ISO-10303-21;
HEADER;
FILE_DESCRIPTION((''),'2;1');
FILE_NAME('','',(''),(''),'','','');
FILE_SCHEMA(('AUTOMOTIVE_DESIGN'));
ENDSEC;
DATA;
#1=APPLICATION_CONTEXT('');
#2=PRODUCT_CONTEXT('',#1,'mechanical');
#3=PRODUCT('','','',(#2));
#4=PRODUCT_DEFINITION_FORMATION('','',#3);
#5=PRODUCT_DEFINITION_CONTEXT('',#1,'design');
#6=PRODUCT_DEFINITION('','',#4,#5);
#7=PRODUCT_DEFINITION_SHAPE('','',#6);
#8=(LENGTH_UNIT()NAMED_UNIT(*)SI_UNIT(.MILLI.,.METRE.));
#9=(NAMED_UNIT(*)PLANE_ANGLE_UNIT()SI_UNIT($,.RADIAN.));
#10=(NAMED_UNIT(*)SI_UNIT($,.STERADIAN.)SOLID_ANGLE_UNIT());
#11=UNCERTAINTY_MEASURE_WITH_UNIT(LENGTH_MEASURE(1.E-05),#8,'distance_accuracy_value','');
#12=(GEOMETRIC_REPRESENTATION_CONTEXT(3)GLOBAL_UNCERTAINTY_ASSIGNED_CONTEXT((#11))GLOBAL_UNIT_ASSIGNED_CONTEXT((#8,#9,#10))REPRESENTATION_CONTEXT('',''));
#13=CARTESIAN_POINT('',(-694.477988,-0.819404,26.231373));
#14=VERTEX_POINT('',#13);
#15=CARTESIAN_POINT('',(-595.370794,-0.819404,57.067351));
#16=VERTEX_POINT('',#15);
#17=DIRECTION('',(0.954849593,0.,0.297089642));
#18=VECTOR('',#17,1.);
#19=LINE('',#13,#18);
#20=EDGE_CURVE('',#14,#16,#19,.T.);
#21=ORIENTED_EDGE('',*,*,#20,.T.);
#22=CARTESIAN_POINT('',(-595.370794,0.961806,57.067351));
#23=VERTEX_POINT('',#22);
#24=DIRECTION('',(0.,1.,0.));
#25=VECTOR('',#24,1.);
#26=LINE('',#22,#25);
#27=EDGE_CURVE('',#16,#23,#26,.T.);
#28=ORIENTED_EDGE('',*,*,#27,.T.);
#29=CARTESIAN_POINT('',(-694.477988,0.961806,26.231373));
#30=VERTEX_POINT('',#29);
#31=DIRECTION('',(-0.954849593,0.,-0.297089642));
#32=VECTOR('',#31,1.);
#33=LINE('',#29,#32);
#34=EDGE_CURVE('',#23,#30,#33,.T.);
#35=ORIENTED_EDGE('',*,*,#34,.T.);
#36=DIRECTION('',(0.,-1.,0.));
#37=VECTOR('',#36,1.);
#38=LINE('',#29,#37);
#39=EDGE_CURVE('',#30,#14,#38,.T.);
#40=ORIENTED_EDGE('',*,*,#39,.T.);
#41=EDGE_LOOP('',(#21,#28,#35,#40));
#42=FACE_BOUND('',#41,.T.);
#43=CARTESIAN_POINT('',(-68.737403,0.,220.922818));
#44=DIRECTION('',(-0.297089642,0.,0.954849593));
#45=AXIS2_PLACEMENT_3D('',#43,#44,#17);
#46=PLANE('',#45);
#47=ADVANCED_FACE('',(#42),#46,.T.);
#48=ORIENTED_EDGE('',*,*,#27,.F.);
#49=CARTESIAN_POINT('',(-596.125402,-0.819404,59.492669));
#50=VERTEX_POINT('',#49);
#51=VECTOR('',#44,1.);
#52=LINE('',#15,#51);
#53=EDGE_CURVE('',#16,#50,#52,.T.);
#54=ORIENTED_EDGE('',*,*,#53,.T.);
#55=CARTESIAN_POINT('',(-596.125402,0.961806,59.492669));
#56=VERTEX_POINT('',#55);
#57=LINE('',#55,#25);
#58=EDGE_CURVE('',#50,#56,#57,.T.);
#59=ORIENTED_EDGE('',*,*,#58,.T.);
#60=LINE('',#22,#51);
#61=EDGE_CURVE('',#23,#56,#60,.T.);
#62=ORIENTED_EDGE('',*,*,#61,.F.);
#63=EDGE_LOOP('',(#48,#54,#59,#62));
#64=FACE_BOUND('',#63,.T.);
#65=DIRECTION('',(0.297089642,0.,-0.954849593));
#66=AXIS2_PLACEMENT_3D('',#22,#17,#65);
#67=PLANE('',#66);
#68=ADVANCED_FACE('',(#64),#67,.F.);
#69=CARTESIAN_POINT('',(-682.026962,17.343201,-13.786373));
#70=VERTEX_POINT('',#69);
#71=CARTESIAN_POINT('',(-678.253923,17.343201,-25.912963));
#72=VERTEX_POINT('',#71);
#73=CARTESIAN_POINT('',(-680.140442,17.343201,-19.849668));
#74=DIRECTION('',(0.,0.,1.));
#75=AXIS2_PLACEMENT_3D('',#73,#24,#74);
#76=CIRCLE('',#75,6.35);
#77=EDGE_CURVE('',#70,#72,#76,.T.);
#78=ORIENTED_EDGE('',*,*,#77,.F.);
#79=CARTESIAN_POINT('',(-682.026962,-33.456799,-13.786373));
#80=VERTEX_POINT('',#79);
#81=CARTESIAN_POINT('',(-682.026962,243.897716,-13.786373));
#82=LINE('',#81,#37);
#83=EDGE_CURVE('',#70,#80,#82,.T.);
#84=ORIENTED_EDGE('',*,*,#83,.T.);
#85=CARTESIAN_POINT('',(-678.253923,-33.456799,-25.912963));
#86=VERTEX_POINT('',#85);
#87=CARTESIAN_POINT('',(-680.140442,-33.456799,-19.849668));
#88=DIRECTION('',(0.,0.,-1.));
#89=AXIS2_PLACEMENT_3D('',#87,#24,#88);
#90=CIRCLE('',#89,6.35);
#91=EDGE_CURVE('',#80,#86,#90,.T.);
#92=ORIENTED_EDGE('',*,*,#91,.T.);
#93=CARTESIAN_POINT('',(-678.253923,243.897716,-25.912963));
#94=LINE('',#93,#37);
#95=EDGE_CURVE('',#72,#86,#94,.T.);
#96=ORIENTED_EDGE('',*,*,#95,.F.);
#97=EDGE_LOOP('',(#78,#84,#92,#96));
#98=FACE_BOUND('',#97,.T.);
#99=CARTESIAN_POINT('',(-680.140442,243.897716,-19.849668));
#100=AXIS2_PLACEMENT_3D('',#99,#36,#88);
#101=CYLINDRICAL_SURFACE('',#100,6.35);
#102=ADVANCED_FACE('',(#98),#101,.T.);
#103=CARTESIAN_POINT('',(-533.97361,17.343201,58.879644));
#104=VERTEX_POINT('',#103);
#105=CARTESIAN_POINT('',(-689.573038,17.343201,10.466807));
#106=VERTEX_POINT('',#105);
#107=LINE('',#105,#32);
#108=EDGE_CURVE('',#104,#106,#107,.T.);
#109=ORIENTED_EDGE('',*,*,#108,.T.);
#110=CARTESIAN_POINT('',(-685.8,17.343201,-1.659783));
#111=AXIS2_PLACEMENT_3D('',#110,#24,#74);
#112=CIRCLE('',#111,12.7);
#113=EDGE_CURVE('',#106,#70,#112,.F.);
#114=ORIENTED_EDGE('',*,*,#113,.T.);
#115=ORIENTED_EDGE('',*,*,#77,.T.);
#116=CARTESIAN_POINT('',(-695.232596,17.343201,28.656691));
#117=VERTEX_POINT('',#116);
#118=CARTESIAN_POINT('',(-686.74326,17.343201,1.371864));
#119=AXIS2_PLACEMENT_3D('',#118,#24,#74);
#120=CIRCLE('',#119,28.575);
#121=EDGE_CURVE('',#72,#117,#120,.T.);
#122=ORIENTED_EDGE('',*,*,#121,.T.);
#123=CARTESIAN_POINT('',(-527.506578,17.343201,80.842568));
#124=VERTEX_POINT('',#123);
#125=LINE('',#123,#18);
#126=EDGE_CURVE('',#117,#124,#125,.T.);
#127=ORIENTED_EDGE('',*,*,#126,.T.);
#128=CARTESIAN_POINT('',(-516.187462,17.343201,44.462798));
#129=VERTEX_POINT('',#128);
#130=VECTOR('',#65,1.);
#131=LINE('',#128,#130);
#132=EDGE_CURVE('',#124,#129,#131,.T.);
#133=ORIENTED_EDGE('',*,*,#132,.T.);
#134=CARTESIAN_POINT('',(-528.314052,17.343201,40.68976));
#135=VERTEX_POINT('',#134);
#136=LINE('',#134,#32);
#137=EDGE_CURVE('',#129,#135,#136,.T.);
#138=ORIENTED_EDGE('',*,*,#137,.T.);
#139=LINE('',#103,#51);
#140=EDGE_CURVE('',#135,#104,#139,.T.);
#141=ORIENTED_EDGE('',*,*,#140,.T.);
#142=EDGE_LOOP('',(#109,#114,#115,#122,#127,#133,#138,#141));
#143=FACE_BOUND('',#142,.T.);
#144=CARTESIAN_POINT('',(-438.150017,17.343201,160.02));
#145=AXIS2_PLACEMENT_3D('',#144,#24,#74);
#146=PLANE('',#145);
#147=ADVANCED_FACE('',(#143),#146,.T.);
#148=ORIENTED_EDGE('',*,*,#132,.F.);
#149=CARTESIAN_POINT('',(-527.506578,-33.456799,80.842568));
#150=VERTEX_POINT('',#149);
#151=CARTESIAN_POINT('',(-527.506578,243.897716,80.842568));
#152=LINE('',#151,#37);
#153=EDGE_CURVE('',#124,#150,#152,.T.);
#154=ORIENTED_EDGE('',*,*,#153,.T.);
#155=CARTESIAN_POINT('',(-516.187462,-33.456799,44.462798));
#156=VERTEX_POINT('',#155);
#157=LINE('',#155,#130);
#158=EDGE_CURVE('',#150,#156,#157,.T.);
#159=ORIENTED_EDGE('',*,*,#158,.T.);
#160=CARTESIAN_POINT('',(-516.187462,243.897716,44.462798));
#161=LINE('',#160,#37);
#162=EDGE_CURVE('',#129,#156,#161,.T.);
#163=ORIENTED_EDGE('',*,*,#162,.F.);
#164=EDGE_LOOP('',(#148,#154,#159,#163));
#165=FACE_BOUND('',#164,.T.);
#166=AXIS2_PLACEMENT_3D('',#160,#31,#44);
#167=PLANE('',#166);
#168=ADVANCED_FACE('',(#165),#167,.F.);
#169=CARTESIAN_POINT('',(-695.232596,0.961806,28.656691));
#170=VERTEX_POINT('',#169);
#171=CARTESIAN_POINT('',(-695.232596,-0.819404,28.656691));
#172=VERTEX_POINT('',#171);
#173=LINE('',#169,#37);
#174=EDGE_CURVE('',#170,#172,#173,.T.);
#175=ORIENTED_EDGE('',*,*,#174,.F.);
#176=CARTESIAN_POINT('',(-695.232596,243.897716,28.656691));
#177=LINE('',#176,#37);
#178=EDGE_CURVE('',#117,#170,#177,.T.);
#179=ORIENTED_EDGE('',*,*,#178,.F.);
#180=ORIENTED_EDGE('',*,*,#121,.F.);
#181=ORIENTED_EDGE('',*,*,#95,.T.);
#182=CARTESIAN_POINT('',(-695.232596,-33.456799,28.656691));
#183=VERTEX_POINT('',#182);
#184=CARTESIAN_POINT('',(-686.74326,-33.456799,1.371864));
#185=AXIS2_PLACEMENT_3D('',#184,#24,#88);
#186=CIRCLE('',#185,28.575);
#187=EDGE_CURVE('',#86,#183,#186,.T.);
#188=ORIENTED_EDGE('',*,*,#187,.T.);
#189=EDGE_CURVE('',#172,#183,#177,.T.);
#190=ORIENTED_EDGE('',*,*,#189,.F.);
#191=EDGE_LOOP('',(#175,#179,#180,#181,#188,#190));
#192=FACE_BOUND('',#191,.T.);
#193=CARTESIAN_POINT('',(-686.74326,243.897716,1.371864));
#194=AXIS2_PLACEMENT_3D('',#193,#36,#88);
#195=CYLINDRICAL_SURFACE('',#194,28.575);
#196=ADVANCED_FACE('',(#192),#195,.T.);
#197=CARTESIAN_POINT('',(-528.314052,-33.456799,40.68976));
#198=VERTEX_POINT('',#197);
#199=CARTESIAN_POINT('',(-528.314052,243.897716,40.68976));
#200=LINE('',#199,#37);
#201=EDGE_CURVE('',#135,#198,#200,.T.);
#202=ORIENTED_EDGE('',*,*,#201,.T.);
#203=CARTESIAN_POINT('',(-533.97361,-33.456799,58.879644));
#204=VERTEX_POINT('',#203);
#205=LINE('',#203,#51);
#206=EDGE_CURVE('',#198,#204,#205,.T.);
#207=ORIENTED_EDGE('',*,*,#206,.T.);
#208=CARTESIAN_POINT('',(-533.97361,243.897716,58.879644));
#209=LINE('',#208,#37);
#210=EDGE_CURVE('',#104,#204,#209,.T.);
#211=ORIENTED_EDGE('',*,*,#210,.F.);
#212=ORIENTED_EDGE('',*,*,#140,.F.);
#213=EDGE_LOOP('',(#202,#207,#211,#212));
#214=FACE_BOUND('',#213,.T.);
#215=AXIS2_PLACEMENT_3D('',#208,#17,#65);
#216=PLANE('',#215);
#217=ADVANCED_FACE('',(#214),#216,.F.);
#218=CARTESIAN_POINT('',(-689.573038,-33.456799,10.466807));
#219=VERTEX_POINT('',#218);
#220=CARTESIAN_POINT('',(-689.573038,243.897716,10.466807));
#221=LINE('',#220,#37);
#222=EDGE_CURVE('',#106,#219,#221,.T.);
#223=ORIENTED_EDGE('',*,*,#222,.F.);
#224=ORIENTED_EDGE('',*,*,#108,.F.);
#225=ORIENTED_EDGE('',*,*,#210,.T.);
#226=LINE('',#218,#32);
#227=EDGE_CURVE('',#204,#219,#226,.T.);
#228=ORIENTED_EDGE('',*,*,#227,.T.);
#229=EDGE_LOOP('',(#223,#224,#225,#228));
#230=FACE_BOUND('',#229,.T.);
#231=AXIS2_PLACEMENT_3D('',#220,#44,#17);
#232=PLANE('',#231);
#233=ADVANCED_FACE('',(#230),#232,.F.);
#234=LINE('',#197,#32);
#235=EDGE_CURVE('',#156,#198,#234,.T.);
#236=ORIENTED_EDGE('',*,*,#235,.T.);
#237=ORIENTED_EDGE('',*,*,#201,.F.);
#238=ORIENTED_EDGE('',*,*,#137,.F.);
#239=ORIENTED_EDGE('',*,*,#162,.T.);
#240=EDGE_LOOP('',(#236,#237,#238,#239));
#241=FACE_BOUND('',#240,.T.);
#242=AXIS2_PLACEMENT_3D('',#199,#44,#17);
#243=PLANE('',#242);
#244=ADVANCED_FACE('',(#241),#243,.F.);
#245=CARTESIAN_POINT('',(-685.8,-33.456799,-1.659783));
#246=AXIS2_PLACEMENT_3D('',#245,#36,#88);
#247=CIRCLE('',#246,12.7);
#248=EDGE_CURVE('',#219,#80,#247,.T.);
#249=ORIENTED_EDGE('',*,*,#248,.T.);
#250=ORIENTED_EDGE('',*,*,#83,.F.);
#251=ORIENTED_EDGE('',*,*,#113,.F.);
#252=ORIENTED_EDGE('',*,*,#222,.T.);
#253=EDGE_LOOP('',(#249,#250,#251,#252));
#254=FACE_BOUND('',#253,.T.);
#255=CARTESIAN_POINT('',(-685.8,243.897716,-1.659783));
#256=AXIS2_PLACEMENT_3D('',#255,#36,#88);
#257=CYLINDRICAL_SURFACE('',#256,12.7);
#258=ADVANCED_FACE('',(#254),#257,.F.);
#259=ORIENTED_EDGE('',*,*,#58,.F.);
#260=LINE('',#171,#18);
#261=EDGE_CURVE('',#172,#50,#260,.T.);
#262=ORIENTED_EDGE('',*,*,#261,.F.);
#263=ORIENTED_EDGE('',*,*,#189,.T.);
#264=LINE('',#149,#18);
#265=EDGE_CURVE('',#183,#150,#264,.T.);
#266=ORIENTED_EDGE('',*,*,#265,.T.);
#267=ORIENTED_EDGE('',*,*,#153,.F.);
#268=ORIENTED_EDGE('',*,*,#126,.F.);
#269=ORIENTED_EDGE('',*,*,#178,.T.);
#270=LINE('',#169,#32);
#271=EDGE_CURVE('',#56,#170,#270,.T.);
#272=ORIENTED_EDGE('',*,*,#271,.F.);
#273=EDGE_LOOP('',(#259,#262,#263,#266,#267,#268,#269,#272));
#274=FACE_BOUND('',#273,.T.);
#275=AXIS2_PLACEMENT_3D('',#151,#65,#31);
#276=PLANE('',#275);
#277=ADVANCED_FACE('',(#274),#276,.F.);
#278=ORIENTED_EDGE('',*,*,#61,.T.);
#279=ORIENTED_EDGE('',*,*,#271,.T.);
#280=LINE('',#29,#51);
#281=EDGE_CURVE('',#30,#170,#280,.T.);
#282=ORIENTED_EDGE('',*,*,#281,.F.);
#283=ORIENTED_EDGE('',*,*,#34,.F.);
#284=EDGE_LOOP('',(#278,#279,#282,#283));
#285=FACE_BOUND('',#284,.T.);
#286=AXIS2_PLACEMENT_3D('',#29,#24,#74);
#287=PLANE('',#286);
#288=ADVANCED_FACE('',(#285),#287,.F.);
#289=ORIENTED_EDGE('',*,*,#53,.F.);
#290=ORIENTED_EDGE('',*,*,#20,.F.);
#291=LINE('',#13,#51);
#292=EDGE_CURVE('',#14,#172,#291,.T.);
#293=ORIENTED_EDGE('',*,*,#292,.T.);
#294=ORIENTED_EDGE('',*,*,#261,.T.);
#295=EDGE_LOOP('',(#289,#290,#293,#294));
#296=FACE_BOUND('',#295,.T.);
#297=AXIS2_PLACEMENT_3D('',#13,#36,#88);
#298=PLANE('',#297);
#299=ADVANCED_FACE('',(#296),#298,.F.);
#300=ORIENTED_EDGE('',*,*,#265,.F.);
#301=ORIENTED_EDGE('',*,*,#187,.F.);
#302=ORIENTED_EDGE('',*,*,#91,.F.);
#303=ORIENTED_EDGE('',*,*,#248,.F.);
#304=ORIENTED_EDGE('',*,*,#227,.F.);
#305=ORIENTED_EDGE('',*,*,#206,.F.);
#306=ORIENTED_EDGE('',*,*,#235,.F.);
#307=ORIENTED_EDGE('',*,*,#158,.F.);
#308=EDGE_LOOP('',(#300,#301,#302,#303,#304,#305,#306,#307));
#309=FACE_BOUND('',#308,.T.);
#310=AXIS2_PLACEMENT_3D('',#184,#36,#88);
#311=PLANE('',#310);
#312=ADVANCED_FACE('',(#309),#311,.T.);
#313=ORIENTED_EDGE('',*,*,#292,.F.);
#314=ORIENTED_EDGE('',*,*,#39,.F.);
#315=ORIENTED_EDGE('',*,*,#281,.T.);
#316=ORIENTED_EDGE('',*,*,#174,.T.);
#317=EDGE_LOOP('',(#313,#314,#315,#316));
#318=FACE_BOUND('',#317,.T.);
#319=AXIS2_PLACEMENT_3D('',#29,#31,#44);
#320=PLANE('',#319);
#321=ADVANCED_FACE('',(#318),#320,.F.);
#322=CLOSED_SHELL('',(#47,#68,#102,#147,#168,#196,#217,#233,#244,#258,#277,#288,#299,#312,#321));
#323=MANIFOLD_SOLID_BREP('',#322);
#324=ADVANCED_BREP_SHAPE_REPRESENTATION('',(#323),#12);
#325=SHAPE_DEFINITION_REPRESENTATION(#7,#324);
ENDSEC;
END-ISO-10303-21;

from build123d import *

# Parameters (mm, degrees)
BOSS_EXTRUDE1_DEPTH = 50.8
SKETCH3_W           = 103.793513641
SKETCH3_H           = 1.78121028
CUT_EXTRUDE1_DEPTH  = 2.54


with BuildPart() as part:
    # Sketch1 → Boss-Extrude1 (new body)
    with BuildSketch(Plane(origin=(0, -33.456799282, 0), x_dir=(1, 0, 0), z_dir=(0, 1, 0))):
        with BuildLine():
            Line((-527.50657757, -80.842567675), (-695.232596141, -28.656691245))
            ThreePointArc((-695.232596141, -28.656691245), (-714.028086723, 7.11747239), (-678.253923088, 25.912962972))
            ThreePointArc((-678.253923088, 25.912962972), (-674.077147403, 17.963148831), (-682.026961544, 13.786373146))
            ThreePointArc((-682.026961544, 13.786373146), (-697.926589826, 5.432821776), (-689.573038456, -10.466806506))
            Line((-689.573038456, -10.466806506), (-533.973609712, -58.87964448))
            Line((-533.973609712, -58.87964448), (-528.314052027, -40.689759741))
            Line((-528.314052027, -40.689759741), (-516.187462201, -44.462798197))
            Line((-516.187462201, -44.462798197), (-527.50657757, -80.842567675))
        make_face()
    extrude(amount=BOSS_EXTRUDE1_DEPTH)

    # Sketch3 → Cut-Extrude1 (cut)
    with BuildSketch(Plane(origin=(-69.492010407, 0, 223.348136035), x_dir=(0.9548495925978474, 0, 0.2970896422222171), z_dir=(-0.29708964222221707, 0, 0.9548495925978473))):
        with Locations((-603.432198215, 0.071200718)):
            Rectangle(SKETCH3_W, SKETCH3_H)
    extrude(amount=-CUT_EXTRUDE1_DEPTH, mode=Mode.SUBTRACT)


solid = part.part
